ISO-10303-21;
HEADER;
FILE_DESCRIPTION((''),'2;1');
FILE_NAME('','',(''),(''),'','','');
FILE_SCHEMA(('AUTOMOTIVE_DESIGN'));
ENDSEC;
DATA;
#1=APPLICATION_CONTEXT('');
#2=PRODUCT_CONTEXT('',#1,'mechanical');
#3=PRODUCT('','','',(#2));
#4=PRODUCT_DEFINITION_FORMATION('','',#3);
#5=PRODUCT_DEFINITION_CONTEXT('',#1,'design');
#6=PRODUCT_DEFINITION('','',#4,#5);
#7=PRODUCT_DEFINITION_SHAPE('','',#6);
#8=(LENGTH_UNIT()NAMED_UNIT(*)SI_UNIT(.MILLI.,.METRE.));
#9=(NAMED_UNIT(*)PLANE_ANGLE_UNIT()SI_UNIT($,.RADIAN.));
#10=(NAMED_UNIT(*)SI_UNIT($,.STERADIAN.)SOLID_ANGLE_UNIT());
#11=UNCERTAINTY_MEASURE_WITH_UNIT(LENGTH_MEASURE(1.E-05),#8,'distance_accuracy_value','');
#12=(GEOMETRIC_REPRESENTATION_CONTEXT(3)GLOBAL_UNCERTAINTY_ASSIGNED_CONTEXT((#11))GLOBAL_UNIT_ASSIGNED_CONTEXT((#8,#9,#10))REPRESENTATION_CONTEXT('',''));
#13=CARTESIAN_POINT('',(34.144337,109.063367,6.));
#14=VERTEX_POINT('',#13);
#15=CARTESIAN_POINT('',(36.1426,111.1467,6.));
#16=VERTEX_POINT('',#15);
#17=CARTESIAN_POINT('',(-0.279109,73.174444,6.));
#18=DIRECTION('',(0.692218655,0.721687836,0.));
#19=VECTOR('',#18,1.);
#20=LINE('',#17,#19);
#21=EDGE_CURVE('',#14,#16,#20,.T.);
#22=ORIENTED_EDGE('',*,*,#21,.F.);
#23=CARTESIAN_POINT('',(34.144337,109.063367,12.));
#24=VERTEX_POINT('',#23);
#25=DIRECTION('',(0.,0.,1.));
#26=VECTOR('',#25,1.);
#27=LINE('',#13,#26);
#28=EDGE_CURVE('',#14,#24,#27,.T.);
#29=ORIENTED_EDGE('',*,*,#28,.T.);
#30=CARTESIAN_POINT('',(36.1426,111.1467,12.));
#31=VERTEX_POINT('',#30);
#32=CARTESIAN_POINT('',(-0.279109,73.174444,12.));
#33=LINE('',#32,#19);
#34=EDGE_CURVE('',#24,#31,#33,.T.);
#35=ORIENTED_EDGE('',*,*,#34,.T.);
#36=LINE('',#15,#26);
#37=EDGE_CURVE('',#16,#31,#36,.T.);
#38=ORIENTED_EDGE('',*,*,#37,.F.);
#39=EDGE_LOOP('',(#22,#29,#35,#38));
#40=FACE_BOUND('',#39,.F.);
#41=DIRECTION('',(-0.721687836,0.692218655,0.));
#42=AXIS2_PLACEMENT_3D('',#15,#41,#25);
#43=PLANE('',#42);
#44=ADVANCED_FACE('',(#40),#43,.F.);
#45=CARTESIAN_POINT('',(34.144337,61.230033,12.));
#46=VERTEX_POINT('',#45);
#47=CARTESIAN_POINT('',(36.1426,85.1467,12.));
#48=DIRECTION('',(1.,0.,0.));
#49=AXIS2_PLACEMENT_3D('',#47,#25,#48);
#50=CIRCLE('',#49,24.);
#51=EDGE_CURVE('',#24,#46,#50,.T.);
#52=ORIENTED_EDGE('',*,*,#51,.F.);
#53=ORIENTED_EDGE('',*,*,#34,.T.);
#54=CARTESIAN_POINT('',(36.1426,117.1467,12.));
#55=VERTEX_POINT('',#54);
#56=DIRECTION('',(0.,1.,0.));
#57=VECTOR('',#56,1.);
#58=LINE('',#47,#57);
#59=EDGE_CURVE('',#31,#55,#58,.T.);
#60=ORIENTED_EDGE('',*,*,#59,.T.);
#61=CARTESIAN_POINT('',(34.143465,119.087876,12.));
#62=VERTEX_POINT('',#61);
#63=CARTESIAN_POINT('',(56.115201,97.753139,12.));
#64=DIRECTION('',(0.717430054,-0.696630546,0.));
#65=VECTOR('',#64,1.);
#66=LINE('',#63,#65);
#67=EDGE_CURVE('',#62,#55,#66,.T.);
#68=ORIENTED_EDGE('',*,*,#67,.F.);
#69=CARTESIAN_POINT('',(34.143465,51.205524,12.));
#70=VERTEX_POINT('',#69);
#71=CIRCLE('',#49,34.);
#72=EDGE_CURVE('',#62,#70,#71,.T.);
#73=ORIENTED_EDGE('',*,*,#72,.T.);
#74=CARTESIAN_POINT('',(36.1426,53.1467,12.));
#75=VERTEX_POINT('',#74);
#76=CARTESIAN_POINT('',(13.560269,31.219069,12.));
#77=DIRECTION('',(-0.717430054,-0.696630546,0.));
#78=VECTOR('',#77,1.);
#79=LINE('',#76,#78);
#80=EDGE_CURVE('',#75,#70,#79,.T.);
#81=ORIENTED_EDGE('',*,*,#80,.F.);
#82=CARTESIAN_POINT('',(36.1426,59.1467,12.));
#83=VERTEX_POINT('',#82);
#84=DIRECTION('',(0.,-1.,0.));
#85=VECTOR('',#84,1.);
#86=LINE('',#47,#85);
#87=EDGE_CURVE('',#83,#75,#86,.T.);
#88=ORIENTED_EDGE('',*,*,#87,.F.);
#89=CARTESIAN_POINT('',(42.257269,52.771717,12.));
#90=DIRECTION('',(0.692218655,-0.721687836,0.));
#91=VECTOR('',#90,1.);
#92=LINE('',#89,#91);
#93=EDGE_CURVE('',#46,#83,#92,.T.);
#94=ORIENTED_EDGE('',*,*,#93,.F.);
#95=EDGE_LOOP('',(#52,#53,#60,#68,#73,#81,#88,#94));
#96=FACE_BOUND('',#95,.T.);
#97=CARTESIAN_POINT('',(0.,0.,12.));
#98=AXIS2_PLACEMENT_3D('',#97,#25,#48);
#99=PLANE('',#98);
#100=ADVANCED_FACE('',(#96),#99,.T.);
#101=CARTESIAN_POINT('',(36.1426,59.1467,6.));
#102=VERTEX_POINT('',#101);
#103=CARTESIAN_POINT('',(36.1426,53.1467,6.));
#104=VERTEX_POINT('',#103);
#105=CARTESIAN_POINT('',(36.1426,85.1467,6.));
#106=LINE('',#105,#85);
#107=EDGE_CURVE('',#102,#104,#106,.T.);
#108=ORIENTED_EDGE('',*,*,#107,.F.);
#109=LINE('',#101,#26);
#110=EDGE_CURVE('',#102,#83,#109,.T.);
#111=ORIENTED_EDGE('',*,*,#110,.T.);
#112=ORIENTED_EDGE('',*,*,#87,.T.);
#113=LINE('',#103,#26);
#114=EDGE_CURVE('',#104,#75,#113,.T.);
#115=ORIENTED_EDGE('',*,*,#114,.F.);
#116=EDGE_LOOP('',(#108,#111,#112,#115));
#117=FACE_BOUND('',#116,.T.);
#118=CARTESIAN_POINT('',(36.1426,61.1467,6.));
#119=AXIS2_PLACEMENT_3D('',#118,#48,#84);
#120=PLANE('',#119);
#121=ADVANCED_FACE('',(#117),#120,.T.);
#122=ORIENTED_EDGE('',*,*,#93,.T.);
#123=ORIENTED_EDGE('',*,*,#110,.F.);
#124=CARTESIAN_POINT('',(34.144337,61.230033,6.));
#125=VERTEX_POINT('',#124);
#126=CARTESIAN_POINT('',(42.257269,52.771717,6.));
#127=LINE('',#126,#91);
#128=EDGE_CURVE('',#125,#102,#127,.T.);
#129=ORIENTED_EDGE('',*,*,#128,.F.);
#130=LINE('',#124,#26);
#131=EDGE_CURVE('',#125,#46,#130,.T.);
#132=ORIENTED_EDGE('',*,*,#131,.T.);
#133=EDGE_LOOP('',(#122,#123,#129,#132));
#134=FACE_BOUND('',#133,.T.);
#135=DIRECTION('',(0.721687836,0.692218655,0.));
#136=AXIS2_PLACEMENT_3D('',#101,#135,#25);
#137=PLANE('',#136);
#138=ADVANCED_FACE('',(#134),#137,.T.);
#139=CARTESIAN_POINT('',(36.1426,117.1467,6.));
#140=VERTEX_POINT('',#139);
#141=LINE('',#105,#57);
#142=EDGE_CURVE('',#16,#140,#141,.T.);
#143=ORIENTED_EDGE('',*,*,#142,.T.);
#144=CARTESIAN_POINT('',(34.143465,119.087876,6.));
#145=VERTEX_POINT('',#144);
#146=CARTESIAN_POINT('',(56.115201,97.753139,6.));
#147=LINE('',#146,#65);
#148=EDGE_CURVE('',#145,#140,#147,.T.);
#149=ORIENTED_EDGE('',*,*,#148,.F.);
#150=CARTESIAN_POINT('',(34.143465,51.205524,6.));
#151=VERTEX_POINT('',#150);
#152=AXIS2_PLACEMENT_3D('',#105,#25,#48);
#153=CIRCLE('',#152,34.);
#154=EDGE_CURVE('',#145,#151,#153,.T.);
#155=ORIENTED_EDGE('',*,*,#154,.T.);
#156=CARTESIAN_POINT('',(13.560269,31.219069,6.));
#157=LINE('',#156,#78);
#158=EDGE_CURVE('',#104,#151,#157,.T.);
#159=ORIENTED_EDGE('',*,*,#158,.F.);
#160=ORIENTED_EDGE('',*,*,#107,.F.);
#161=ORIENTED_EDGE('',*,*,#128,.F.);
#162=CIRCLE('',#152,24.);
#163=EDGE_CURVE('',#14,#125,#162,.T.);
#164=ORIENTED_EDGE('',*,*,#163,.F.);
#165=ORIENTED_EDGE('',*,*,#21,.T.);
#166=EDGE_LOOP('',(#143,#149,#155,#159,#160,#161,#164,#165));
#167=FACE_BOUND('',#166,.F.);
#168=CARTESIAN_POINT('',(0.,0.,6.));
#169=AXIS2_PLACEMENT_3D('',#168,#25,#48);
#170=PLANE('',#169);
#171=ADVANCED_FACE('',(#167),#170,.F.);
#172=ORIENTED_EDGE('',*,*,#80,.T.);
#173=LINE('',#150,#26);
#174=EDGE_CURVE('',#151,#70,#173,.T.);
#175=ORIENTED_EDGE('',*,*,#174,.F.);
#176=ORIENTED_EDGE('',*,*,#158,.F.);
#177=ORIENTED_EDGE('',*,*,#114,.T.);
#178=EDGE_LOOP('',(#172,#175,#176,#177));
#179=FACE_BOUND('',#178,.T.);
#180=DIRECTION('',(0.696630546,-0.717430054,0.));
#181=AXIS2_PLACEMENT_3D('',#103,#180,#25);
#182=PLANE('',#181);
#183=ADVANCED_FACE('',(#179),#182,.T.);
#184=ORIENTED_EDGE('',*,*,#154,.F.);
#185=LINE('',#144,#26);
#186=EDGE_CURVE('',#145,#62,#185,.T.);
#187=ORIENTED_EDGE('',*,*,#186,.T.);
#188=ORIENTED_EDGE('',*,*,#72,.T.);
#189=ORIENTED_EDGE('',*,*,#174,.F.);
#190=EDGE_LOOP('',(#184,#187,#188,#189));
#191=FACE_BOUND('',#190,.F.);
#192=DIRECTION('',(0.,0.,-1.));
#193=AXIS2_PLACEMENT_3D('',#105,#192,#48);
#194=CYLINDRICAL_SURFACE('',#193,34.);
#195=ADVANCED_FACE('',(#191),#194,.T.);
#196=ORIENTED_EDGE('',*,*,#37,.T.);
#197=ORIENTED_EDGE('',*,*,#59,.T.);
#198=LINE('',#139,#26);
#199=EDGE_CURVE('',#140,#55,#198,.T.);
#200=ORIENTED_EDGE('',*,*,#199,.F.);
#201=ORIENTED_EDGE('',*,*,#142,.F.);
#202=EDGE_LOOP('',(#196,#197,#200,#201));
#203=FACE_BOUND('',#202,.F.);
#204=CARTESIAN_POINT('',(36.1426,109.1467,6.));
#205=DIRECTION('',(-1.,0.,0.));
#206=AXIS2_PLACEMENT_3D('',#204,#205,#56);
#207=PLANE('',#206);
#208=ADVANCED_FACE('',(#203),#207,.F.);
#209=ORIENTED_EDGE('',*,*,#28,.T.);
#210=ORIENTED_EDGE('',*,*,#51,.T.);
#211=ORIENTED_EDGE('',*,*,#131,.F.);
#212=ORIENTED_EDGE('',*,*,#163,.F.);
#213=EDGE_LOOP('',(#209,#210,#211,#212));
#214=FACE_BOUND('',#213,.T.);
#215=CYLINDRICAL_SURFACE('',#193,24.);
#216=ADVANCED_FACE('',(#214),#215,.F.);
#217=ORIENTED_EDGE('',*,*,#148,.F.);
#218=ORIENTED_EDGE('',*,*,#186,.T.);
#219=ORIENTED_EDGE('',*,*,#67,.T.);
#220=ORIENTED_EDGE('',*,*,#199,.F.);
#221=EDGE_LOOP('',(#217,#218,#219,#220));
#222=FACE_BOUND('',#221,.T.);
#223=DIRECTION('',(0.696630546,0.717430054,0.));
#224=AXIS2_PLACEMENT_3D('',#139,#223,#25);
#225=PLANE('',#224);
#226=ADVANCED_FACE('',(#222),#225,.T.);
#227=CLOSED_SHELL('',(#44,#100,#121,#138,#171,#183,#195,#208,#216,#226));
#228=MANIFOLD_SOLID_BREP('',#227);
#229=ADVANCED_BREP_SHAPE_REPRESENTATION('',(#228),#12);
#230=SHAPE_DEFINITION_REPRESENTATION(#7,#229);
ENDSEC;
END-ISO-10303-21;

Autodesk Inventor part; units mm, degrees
ref_plane "YZ Plane" through (0, 0, 0) normal (1, 0, 0) x (0, 1, 0)
ref_plane "XZ Plane" through (0, 0, 0) normal (0, 1, 0) x (-1, 0, 0)
ref_plane "РабПлоскость1" through (0, 0, 6) normal (0, 0, 1) x (1, 0, 0)
sketch "Эскиз1" plane through (0, 0, 6) normal (0, 0, 1) x (1, 0, 0)
  circle A0 centre (36.1426, 85.1467) radius 24 projected
  circle A1 centre (36.1426, 85.1467) radius 34
  line L0 (36.1426, 85.1467) -> (36.1426, 122.276)
  line L1 (36.1426, 85.1467) -> (36.1426, 47.1457)
  point P0 (0, 0)
  point P1 (36.1426, 51.1467)
  point P2 (36.1426, 61.1467)
  point P3 (36.1426, 109.1467)
  point P4 (36.1426, 119.1467)
  dimension "d0" = 10
extrude "Выдавливание1" add sketch "Эскиз1" along normal blind 6 contours A0 L1 A1 L0 picked at (26.249, 113.9534)
chamfer "Фаска1" distance 2 angle 45 4 edges at (36.1426, 119.1467, 9) (36.1426, 109.1467, 9) (36.1426, 61.1467, 9) (36.1426, 51.1467, 9)
properties part number "Ограничитель"
